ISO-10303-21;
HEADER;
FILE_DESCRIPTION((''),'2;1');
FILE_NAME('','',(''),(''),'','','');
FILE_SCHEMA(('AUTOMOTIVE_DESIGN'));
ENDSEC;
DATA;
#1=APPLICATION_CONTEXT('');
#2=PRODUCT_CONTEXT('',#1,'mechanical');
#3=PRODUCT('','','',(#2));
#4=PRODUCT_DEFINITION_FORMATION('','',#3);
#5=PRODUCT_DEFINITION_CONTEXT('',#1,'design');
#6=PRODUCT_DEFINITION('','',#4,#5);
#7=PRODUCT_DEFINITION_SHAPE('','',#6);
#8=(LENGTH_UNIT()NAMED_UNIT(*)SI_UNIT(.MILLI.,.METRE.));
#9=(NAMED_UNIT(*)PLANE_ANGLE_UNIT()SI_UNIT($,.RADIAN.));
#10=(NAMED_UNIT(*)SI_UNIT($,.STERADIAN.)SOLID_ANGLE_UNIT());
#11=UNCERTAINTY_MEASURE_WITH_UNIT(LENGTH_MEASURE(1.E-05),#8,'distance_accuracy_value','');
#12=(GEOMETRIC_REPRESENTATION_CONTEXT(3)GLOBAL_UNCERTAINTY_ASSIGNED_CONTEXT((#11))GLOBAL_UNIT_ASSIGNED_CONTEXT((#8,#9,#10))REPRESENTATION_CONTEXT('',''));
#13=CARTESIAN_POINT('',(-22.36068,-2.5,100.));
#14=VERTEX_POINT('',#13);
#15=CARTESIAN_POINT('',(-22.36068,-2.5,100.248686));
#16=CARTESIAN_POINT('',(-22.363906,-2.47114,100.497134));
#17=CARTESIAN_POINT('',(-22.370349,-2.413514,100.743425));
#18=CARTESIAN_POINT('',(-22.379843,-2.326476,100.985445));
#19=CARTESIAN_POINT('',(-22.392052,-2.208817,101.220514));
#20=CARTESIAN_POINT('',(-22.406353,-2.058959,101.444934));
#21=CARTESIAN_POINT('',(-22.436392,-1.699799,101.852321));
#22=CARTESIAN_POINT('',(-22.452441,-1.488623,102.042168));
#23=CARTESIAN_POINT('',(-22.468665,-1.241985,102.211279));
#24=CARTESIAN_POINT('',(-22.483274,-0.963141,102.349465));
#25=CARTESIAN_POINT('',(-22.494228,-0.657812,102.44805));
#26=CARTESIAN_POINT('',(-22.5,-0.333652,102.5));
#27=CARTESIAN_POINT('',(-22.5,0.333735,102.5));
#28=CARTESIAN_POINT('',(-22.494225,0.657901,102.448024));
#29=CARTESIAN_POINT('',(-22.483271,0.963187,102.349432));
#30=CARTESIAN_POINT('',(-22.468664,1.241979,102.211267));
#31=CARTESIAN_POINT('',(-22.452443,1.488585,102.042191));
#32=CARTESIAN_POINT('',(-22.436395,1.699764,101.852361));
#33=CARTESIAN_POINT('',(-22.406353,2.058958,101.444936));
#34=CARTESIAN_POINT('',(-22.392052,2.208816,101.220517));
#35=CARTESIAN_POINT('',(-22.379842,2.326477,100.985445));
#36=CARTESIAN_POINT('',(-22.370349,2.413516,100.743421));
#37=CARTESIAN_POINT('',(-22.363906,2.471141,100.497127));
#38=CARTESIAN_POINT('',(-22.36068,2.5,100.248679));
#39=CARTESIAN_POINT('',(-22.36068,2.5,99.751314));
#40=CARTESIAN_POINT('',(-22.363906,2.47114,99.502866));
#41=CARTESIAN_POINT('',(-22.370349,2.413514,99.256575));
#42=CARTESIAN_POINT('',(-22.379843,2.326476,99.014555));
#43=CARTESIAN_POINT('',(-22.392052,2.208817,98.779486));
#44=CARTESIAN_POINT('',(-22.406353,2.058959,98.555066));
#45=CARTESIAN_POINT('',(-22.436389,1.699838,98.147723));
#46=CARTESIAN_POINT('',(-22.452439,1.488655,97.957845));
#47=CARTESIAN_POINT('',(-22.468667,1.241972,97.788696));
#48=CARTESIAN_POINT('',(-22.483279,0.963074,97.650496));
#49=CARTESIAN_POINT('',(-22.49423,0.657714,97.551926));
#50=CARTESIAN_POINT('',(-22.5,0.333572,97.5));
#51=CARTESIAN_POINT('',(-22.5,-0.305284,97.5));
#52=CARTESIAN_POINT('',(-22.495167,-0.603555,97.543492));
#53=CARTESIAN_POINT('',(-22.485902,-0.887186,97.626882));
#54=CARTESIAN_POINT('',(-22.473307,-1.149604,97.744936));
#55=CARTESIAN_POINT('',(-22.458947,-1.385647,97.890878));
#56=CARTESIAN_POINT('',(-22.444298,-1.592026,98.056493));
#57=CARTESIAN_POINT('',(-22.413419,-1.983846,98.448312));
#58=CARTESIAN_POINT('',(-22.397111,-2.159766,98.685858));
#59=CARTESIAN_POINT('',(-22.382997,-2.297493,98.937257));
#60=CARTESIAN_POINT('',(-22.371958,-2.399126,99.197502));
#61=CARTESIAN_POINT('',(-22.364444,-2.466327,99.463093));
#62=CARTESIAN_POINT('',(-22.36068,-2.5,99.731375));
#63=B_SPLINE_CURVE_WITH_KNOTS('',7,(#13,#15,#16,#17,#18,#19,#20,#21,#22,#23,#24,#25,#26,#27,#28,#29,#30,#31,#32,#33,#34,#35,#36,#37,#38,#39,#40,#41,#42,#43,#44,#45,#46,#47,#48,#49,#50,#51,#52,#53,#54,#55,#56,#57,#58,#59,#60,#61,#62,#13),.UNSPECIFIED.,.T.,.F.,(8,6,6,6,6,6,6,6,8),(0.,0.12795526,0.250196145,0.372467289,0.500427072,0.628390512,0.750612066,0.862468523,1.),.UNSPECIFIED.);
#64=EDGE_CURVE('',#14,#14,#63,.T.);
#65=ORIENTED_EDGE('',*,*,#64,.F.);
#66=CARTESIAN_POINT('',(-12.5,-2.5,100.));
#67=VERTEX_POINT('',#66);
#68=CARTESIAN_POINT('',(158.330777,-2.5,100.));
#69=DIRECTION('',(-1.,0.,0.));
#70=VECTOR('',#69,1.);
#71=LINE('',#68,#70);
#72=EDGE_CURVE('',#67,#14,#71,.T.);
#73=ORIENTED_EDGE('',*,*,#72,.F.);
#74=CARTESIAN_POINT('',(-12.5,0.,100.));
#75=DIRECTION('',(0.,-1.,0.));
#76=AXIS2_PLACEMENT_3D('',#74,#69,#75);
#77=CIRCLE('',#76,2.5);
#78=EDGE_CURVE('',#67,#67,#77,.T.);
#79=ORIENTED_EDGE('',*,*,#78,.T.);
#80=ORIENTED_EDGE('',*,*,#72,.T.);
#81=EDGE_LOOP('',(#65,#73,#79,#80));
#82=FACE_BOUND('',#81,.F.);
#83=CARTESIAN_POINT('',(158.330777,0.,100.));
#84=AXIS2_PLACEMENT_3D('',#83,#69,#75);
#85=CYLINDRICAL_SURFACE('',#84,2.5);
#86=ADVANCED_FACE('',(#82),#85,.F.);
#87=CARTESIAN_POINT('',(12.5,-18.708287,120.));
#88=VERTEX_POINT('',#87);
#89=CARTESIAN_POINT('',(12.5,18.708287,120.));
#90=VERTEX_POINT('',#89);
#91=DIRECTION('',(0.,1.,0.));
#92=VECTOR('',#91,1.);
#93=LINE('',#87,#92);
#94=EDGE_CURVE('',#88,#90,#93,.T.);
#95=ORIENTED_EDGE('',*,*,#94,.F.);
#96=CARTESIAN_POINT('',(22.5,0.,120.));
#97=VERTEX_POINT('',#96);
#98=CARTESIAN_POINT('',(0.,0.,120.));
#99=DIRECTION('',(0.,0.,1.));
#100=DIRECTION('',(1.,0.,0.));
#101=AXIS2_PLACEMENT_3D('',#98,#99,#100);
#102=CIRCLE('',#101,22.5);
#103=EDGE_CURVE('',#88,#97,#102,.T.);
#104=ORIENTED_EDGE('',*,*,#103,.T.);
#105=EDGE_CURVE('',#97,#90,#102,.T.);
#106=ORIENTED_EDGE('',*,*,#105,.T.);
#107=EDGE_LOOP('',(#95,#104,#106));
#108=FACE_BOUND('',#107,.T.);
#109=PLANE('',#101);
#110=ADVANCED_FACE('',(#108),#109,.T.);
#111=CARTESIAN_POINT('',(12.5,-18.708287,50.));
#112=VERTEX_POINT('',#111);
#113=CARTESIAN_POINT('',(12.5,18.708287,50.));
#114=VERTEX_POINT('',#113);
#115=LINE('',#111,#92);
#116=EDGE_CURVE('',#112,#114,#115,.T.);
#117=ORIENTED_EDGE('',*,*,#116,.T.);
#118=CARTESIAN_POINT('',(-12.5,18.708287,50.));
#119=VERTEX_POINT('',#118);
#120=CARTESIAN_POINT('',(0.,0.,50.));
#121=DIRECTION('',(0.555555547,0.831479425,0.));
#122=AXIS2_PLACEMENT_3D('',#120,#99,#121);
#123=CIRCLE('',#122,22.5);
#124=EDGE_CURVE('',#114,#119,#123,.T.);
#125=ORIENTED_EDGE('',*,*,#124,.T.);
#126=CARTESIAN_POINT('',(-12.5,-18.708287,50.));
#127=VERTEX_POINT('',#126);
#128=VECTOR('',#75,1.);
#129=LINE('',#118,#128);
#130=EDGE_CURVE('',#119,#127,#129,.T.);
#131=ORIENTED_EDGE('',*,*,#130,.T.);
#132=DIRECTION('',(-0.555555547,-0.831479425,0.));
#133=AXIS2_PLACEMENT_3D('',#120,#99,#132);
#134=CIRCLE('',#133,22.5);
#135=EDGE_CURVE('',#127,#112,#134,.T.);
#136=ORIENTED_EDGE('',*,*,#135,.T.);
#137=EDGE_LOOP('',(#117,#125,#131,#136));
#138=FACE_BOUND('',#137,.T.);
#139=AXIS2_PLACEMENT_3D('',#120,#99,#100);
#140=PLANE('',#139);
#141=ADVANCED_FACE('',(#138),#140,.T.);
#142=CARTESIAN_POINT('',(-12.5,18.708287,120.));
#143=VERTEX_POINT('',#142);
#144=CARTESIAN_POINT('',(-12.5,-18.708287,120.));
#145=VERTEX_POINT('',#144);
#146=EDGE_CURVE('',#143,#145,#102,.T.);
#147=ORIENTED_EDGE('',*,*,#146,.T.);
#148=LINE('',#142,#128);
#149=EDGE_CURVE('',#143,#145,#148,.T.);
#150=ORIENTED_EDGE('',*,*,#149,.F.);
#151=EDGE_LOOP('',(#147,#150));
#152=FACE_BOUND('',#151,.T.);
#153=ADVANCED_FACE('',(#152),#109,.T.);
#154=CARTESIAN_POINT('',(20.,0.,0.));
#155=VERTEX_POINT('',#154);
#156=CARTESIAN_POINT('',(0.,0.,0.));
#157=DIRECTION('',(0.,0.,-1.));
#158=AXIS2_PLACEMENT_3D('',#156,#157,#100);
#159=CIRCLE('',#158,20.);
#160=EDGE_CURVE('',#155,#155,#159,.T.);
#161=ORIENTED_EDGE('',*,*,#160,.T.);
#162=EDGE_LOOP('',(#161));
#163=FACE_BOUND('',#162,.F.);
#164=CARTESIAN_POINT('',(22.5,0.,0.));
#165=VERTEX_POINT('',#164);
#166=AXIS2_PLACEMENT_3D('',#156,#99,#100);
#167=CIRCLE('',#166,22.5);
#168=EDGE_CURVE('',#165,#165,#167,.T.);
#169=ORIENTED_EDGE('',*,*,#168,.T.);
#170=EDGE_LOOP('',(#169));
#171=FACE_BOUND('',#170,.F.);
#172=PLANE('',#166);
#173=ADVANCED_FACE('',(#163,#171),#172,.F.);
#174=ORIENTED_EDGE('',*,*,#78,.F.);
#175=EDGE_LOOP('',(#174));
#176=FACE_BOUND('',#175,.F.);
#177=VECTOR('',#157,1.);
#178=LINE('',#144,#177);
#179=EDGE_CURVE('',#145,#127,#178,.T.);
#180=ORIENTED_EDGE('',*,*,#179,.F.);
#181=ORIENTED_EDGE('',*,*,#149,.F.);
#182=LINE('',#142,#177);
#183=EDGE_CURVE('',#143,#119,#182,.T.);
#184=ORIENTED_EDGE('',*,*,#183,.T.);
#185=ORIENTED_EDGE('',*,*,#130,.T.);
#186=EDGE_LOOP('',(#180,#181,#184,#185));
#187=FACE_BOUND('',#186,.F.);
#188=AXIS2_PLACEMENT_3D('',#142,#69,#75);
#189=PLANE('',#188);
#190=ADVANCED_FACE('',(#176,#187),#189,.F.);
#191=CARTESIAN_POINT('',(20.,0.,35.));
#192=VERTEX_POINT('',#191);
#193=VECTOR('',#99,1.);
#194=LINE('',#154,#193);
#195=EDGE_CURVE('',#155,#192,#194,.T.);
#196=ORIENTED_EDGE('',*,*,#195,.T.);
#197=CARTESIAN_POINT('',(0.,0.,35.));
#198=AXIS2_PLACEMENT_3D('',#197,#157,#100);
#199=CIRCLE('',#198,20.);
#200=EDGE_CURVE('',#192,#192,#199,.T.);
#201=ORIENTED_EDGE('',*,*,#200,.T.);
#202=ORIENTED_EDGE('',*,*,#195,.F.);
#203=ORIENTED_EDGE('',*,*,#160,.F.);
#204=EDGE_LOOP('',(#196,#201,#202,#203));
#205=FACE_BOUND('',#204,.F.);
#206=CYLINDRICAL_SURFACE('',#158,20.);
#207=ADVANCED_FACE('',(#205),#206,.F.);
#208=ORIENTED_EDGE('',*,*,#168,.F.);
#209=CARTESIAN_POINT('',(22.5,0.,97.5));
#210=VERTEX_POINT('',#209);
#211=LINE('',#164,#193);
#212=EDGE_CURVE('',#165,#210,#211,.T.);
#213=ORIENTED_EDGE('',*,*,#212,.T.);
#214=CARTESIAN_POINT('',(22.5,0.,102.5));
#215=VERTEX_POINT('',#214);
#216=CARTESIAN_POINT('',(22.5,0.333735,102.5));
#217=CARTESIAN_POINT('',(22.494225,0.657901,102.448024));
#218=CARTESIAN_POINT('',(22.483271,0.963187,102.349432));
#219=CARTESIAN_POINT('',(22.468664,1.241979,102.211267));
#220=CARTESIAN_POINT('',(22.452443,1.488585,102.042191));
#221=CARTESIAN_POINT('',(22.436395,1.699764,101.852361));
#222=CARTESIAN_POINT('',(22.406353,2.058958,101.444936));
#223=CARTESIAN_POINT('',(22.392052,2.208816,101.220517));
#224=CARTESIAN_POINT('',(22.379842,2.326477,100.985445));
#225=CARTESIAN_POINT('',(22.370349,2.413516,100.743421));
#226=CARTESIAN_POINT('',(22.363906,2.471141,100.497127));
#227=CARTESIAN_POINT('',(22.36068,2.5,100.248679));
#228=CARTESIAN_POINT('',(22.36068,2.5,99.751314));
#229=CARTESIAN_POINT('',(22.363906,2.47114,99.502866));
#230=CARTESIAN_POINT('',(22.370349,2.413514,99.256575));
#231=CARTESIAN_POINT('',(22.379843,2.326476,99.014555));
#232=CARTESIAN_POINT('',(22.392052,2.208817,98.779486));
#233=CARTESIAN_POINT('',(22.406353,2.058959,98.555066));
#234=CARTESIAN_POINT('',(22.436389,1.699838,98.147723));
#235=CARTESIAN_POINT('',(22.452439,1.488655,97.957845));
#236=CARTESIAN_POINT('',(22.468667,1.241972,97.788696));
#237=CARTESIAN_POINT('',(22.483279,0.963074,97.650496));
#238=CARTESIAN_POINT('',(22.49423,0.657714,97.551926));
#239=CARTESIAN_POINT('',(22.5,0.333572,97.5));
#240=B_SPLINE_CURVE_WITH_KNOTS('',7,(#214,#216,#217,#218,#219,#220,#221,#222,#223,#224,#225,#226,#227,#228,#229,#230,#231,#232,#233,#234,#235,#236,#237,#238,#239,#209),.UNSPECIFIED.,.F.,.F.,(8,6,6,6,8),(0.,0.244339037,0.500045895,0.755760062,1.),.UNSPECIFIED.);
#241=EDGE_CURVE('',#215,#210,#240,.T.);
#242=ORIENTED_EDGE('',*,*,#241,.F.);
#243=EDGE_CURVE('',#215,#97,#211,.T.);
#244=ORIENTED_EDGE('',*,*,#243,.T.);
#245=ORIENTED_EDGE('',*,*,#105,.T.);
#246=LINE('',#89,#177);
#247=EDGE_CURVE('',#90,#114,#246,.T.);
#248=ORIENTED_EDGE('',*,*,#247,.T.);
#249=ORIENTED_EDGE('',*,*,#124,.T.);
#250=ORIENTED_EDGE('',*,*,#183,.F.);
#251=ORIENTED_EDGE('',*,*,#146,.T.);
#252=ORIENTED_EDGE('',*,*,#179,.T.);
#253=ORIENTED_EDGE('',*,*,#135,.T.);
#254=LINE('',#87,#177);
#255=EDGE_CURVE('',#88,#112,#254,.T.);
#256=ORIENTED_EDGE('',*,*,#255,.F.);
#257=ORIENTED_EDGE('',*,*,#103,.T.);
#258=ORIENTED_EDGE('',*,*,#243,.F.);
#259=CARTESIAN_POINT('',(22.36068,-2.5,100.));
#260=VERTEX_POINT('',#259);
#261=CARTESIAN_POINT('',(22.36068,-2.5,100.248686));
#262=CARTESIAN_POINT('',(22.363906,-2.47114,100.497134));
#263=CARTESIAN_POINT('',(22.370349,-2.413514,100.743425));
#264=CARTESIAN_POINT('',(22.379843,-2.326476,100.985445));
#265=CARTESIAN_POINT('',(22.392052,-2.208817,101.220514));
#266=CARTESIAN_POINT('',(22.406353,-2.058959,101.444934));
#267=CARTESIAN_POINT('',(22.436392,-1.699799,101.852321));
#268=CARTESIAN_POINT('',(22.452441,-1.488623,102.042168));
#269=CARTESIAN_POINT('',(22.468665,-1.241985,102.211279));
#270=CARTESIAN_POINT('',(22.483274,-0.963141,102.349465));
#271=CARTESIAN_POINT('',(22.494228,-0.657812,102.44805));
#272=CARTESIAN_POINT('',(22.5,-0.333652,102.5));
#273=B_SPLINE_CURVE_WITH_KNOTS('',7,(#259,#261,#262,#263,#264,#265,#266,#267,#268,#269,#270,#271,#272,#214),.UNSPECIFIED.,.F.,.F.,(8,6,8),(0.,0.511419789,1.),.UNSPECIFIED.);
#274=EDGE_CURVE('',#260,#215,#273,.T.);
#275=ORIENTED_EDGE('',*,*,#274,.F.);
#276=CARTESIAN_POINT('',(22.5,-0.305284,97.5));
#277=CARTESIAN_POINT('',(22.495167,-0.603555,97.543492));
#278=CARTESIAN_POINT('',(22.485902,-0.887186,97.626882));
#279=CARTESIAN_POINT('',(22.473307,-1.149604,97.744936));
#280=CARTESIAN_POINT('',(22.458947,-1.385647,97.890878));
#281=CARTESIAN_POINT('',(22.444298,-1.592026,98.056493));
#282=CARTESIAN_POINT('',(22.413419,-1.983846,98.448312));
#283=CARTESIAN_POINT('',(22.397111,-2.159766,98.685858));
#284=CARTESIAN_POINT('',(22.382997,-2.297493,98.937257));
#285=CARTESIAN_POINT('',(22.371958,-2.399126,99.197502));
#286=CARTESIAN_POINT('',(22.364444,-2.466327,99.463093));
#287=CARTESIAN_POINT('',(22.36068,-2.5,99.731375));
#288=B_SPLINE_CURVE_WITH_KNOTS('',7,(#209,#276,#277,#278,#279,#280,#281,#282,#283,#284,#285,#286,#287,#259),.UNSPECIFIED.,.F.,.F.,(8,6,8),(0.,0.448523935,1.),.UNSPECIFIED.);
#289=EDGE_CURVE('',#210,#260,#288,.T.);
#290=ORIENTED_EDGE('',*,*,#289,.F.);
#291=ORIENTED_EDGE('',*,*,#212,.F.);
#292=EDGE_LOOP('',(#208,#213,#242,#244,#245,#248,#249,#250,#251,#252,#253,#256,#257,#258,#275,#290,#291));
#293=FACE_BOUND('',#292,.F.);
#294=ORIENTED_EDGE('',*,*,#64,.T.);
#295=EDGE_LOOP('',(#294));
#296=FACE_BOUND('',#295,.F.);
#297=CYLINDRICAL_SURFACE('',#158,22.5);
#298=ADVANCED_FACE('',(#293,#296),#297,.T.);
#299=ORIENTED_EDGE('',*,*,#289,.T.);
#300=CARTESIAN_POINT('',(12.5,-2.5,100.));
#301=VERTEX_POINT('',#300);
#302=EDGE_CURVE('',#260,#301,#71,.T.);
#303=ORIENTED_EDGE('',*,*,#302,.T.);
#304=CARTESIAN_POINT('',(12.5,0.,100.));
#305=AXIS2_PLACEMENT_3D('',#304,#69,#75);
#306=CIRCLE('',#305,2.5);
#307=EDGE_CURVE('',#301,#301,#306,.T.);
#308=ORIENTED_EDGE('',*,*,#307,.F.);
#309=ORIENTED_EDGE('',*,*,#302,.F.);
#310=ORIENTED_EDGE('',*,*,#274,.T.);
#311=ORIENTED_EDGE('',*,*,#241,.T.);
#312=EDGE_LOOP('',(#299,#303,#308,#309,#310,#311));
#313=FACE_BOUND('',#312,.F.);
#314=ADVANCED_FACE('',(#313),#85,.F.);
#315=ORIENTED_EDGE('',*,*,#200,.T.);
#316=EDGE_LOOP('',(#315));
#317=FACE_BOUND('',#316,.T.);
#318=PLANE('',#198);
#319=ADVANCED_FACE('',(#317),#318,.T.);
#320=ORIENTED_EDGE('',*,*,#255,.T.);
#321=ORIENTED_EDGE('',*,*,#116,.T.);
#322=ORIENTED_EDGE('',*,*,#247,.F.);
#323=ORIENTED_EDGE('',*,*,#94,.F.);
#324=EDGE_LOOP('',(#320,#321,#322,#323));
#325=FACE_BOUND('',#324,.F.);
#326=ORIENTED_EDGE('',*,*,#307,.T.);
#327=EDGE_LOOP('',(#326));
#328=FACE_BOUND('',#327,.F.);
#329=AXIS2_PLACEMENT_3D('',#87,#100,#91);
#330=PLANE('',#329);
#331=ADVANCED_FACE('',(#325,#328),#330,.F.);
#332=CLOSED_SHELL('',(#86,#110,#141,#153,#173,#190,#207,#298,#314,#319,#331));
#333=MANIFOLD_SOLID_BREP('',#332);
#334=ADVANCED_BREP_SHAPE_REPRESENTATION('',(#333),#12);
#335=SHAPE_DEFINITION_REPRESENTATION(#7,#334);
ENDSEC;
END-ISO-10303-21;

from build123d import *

# Parameters (mm, degrees)
F0_R     = 22.5
F1_DEPTH = 120
F4_DEPTH = 70
F5_R     = 20
F6_DEPTH = 35
F9_D     = 5


with BuildPart() as f1:
    # F0 (on Top) → F1 (new body)
    with BuildSketch(Plane.XY):
        Circle(F0_R)
    extrude(amount=F1_DEPTH)

    # F2 (on face) → F4 (cut)
    with BuildSketch(Plane.XY.offset(120)):
        with BuildLine():
            ThreePointArc((12.5, 18.708287), (0, 22.5), (-12.5, 18.708287))
            Line((-12.5, 18.708287), (-12.5, -18.708287))
            ThreePointArc((-12.5, -18.708287), (0, -22.5), (12.5, -18.708287))
            Line((12.5, -18.708287), (12.5, 18.708287))
        make_face()
    extrude(amount=-F4_DEPTH, mode=Mode.SUBTRACT)

    # F5 (on face) → F6 (cut)
    with BuildSketch(Plane(origin=(0, 0, 0), x_dir=(1, 0, 0), z_dir=(0, 0, -1))):
        Circle(F5_R)
    extrude(amount=-F6_DEPTH, mode=Mode.SUBTRACT)

    # F9 (through all)
    with Locations(Plane.YZ.offset(22.5)):
        with Locations((0, 100)):
            Hole(F9_D / 2)


solid = f1.part
